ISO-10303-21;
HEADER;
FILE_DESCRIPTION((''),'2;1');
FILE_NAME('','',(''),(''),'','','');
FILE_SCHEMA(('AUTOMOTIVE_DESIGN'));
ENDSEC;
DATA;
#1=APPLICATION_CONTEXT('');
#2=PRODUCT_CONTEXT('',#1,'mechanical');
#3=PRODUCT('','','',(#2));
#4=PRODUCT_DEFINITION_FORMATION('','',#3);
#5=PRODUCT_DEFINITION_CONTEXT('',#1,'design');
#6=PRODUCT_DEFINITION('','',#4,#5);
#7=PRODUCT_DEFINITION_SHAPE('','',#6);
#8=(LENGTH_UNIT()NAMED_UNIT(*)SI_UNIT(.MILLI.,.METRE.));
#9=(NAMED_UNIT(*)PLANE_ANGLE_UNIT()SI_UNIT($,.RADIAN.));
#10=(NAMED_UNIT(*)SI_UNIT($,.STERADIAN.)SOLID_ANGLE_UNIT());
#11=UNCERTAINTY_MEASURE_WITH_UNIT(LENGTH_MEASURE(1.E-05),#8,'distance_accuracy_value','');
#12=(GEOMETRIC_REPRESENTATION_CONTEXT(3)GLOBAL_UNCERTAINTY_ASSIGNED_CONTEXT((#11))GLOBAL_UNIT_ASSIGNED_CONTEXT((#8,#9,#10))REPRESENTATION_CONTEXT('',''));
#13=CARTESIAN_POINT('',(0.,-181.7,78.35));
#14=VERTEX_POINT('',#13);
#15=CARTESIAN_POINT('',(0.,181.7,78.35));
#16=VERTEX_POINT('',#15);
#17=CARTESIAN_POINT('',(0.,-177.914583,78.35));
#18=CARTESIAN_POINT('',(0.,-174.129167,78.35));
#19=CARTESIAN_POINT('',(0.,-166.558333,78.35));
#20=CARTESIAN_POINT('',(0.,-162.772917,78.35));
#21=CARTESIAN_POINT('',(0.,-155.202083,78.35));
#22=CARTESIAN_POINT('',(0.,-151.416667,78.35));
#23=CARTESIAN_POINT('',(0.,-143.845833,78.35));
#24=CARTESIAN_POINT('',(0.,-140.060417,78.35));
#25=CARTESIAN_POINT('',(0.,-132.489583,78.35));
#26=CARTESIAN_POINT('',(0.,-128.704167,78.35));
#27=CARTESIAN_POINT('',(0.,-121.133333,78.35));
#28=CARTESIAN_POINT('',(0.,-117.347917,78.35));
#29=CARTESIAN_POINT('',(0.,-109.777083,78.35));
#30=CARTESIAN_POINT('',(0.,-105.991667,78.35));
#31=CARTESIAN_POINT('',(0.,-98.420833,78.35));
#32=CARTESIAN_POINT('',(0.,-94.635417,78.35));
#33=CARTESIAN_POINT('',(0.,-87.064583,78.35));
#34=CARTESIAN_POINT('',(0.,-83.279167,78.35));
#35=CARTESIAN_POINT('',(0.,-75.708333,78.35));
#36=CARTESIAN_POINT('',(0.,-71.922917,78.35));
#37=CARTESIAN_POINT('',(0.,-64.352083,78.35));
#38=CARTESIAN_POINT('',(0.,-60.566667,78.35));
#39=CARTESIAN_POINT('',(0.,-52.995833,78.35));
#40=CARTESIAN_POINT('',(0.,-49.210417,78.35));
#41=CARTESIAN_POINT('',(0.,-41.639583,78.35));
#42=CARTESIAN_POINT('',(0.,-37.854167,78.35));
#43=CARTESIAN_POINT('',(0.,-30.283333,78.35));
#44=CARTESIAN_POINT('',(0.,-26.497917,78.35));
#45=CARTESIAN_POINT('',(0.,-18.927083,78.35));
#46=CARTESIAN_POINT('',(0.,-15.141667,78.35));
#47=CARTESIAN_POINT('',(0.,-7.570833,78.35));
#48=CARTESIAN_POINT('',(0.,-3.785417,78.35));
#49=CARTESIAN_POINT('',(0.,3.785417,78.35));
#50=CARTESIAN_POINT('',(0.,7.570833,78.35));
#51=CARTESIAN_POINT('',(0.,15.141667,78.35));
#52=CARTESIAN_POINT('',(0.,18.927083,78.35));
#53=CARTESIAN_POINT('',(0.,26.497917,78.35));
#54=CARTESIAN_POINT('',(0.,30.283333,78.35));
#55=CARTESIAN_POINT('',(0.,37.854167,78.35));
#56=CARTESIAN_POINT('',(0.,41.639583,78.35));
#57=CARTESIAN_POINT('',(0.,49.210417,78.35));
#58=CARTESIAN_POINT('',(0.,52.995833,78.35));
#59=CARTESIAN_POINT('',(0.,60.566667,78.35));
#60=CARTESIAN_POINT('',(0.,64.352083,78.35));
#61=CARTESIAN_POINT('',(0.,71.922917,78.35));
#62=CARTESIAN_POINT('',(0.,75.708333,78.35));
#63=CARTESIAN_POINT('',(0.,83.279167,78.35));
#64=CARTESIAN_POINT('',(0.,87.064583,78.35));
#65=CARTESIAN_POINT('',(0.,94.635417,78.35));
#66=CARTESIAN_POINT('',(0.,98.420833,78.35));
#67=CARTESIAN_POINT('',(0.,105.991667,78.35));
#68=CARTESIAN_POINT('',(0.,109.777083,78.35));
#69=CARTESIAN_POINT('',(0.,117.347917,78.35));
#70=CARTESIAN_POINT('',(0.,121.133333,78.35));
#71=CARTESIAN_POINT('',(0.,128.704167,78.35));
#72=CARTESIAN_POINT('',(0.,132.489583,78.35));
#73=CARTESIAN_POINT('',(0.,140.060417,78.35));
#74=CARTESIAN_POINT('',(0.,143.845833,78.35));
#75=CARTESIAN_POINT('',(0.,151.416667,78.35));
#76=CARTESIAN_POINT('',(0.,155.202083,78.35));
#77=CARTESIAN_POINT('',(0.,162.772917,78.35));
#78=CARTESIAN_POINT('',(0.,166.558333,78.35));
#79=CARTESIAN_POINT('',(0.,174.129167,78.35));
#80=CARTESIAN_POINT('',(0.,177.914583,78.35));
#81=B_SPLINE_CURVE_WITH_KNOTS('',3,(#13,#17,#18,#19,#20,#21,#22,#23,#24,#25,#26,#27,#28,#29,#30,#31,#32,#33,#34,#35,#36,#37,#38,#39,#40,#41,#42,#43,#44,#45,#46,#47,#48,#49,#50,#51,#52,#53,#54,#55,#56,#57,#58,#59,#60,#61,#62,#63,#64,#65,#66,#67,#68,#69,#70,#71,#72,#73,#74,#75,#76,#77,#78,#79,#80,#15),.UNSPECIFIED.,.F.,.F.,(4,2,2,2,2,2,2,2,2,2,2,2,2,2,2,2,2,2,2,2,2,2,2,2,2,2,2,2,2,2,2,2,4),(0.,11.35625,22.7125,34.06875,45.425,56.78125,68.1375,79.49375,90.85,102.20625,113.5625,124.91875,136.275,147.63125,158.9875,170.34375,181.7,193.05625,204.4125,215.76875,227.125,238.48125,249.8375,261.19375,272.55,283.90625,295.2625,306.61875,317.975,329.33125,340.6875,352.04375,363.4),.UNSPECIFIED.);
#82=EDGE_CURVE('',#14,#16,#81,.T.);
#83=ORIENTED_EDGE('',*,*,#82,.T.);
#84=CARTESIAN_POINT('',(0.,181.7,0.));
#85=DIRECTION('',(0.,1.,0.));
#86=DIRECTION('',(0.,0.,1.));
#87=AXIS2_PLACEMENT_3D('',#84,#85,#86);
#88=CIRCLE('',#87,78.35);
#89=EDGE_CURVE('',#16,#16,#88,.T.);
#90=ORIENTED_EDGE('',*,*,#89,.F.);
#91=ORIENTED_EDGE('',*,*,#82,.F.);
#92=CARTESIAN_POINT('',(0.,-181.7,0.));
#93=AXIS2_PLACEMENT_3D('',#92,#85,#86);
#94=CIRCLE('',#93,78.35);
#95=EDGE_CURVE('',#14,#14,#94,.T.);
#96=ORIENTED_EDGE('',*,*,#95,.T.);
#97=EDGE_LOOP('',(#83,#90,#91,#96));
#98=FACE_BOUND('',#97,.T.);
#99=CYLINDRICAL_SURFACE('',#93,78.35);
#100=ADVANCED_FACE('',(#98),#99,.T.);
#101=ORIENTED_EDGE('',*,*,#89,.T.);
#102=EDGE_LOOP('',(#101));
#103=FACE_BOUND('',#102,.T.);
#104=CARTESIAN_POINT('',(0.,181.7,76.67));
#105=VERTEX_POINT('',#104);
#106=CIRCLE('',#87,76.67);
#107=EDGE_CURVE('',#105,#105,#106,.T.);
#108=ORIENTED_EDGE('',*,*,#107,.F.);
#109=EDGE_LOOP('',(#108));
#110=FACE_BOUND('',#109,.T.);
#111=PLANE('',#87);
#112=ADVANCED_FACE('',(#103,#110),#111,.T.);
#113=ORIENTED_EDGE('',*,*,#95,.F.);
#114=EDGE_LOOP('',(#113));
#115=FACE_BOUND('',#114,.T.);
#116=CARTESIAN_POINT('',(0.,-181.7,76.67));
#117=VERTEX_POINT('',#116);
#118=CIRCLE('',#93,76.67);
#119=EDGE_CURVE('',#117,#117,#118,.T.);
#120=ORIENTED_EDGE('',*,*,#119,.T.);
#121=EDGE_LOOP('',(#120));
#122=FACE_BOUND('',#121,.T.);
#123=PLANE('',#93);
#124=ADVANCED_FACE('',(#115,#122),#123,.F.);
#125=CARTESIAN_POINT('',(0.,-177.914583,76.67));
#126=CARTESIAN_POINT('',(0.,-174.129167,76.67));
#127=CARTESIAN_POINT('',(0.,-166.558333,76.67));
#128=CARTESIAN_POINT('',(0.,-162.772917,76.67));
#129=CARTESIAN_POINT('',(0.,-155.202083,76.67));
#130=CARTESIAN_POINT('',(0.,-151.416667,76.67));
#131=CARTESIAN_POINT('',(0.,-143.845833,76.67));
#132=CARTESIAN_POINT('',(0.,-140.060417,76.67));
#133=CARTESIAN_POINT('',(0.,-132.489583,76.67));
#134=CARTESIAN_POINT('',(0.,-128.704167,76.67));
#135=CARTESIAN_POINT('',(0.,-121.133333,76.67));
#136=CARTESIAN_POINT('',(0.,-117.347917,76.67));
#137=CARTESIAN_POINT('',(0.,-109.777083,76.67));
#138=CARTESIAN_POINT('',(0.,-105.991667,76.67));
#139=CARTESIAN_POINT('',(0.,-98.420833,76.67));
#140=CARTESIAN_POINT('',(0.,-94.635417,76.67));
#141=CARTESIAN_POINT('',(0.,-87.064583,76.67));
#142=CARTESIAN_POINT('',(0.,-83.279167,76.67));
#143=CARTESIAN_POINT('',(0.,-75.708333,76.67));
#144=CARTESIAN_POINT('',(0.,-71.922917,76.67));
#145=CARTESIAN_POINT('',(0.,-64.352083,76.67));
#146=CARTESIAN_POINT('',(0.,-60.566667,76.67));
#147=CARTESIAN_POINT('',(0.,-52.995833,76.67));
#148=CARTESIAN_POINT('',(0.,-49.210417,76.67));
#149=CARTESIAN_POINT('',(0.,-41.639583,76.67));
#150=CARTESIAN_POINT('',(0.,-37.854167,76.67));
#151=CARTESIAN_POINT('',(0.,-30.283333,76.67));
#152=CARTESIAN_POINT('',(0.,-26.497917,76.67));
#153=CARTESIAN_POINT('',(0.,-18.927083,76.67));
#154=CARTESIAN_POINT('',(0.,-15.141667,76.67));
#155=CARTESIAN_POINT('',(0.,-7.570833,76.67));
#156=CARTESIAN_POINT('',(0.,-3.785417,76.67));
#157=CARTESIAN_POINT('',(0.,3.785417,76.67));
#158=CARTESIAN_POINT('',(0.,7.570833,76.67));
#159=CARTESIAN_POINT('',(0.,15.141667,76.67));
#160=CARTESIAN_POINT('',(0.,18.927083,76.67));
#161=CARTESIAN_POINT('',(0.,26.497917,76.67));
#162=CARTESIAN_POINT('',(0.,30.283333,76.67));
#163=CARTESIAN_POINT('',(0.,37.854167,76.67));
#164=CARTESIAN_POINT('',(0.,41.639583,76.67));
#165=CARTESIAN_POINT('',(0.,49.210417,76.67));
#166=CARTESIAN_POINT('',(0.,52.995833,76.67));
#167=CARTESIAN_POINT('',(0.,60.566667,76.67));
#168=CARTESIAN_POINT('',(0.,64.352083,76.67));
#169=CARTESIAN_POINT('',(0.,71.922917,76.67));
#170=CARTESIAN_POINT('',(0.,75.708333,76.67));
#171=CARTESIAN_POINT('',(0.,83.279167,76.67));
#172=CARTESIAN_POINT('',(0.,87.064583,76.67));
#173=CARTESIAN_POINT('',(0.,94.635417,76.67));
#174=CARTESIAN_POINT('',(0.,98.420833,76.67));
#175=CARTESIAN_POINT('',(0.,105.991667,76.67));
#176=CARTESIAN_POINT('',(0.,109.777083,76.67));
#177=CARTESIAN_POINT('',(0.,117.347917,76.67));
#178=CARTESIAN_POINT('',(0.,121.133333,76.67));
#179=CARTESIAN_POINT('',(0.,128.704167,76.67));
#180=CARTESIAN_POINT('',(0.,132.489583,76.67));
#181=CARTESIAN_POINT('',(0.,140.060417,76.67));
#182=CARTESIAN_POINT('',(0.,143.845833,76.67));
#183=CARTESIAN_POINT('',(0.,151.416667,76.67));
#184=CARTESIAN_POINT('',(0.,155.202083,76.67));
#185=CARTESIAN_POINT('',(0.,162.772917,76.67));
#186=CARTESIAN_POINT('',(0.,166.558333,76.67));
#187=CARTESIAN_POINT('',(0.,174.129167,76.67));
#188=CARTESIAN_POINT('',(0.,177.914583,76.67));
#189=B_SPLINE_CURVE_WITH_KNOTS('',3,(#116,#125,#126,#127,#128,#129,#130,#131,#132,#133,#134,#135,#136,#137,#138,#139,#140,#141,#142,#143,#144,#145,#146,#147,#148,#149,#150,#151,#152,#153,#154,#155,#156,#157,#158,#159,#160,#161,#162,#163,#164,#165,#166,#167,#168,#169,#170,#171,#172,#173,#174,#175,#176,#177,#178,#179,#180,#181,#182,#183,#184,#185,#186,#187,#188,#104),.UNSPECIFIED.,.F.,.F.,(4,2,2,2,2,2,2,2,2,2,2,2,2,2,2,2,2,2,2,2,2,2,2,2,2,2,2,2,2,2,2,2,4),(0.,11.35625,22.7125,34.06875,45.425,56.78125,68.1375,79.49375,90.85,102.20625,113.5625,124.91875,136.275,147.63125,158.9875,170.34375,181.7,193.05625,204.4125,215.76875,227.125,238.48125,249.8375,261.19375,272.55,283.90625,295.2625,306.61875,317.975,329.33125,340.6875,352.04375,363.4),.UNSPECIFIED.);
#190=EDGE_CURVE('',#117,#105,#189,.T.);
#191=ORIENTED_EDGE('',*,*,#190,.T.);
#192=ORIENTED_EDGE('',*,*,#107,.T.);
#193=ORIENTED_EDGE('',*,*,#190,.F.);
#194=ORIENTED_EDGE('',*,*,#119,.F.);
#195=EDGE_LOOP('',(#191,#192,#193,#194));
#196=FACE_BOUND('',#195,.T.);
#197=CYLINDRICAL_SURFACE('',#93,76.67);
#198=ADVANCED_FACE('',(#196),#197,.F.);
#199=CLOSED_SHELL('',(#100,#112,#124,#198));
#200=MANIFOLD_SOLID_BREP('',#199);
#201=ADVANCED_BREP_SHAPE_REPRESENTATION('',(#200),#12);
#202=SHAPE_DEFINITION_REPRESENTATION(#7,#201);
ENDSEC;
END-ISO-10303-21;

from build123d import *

# Parameters (mm, degrees)
BOSS_EXTRUDE1_DEPTH      = 181.7
BOSS_EXTRUDE1_DEPTH_BACK = 181.7
SKETCH1_R                = 78.35
SKETCH1_R_2              = 76.67


with BuildPart() as part:
    # Sketch1 → Boss-Extrude1 (new, two sides: drawn at the far end of the back side and taken through both)
    with BuildSketch(Plane(origin=(0, 0, 0), x_dir=(1, 0, 0), z_dir=(0, 1, 0)).offset(-BOSS_EXTRUDE1_DEPTH_BACK)):
        Circle(SKETCH1_R)
        Circle(SKETCH1_R_2, mode=Mode.SUBTRACT)
    extrude(amount=BOSS_EXTRUDE1_DEPTH + BOSS_EXTRUDE1_DEPTH_BACK)


solid = part.part
